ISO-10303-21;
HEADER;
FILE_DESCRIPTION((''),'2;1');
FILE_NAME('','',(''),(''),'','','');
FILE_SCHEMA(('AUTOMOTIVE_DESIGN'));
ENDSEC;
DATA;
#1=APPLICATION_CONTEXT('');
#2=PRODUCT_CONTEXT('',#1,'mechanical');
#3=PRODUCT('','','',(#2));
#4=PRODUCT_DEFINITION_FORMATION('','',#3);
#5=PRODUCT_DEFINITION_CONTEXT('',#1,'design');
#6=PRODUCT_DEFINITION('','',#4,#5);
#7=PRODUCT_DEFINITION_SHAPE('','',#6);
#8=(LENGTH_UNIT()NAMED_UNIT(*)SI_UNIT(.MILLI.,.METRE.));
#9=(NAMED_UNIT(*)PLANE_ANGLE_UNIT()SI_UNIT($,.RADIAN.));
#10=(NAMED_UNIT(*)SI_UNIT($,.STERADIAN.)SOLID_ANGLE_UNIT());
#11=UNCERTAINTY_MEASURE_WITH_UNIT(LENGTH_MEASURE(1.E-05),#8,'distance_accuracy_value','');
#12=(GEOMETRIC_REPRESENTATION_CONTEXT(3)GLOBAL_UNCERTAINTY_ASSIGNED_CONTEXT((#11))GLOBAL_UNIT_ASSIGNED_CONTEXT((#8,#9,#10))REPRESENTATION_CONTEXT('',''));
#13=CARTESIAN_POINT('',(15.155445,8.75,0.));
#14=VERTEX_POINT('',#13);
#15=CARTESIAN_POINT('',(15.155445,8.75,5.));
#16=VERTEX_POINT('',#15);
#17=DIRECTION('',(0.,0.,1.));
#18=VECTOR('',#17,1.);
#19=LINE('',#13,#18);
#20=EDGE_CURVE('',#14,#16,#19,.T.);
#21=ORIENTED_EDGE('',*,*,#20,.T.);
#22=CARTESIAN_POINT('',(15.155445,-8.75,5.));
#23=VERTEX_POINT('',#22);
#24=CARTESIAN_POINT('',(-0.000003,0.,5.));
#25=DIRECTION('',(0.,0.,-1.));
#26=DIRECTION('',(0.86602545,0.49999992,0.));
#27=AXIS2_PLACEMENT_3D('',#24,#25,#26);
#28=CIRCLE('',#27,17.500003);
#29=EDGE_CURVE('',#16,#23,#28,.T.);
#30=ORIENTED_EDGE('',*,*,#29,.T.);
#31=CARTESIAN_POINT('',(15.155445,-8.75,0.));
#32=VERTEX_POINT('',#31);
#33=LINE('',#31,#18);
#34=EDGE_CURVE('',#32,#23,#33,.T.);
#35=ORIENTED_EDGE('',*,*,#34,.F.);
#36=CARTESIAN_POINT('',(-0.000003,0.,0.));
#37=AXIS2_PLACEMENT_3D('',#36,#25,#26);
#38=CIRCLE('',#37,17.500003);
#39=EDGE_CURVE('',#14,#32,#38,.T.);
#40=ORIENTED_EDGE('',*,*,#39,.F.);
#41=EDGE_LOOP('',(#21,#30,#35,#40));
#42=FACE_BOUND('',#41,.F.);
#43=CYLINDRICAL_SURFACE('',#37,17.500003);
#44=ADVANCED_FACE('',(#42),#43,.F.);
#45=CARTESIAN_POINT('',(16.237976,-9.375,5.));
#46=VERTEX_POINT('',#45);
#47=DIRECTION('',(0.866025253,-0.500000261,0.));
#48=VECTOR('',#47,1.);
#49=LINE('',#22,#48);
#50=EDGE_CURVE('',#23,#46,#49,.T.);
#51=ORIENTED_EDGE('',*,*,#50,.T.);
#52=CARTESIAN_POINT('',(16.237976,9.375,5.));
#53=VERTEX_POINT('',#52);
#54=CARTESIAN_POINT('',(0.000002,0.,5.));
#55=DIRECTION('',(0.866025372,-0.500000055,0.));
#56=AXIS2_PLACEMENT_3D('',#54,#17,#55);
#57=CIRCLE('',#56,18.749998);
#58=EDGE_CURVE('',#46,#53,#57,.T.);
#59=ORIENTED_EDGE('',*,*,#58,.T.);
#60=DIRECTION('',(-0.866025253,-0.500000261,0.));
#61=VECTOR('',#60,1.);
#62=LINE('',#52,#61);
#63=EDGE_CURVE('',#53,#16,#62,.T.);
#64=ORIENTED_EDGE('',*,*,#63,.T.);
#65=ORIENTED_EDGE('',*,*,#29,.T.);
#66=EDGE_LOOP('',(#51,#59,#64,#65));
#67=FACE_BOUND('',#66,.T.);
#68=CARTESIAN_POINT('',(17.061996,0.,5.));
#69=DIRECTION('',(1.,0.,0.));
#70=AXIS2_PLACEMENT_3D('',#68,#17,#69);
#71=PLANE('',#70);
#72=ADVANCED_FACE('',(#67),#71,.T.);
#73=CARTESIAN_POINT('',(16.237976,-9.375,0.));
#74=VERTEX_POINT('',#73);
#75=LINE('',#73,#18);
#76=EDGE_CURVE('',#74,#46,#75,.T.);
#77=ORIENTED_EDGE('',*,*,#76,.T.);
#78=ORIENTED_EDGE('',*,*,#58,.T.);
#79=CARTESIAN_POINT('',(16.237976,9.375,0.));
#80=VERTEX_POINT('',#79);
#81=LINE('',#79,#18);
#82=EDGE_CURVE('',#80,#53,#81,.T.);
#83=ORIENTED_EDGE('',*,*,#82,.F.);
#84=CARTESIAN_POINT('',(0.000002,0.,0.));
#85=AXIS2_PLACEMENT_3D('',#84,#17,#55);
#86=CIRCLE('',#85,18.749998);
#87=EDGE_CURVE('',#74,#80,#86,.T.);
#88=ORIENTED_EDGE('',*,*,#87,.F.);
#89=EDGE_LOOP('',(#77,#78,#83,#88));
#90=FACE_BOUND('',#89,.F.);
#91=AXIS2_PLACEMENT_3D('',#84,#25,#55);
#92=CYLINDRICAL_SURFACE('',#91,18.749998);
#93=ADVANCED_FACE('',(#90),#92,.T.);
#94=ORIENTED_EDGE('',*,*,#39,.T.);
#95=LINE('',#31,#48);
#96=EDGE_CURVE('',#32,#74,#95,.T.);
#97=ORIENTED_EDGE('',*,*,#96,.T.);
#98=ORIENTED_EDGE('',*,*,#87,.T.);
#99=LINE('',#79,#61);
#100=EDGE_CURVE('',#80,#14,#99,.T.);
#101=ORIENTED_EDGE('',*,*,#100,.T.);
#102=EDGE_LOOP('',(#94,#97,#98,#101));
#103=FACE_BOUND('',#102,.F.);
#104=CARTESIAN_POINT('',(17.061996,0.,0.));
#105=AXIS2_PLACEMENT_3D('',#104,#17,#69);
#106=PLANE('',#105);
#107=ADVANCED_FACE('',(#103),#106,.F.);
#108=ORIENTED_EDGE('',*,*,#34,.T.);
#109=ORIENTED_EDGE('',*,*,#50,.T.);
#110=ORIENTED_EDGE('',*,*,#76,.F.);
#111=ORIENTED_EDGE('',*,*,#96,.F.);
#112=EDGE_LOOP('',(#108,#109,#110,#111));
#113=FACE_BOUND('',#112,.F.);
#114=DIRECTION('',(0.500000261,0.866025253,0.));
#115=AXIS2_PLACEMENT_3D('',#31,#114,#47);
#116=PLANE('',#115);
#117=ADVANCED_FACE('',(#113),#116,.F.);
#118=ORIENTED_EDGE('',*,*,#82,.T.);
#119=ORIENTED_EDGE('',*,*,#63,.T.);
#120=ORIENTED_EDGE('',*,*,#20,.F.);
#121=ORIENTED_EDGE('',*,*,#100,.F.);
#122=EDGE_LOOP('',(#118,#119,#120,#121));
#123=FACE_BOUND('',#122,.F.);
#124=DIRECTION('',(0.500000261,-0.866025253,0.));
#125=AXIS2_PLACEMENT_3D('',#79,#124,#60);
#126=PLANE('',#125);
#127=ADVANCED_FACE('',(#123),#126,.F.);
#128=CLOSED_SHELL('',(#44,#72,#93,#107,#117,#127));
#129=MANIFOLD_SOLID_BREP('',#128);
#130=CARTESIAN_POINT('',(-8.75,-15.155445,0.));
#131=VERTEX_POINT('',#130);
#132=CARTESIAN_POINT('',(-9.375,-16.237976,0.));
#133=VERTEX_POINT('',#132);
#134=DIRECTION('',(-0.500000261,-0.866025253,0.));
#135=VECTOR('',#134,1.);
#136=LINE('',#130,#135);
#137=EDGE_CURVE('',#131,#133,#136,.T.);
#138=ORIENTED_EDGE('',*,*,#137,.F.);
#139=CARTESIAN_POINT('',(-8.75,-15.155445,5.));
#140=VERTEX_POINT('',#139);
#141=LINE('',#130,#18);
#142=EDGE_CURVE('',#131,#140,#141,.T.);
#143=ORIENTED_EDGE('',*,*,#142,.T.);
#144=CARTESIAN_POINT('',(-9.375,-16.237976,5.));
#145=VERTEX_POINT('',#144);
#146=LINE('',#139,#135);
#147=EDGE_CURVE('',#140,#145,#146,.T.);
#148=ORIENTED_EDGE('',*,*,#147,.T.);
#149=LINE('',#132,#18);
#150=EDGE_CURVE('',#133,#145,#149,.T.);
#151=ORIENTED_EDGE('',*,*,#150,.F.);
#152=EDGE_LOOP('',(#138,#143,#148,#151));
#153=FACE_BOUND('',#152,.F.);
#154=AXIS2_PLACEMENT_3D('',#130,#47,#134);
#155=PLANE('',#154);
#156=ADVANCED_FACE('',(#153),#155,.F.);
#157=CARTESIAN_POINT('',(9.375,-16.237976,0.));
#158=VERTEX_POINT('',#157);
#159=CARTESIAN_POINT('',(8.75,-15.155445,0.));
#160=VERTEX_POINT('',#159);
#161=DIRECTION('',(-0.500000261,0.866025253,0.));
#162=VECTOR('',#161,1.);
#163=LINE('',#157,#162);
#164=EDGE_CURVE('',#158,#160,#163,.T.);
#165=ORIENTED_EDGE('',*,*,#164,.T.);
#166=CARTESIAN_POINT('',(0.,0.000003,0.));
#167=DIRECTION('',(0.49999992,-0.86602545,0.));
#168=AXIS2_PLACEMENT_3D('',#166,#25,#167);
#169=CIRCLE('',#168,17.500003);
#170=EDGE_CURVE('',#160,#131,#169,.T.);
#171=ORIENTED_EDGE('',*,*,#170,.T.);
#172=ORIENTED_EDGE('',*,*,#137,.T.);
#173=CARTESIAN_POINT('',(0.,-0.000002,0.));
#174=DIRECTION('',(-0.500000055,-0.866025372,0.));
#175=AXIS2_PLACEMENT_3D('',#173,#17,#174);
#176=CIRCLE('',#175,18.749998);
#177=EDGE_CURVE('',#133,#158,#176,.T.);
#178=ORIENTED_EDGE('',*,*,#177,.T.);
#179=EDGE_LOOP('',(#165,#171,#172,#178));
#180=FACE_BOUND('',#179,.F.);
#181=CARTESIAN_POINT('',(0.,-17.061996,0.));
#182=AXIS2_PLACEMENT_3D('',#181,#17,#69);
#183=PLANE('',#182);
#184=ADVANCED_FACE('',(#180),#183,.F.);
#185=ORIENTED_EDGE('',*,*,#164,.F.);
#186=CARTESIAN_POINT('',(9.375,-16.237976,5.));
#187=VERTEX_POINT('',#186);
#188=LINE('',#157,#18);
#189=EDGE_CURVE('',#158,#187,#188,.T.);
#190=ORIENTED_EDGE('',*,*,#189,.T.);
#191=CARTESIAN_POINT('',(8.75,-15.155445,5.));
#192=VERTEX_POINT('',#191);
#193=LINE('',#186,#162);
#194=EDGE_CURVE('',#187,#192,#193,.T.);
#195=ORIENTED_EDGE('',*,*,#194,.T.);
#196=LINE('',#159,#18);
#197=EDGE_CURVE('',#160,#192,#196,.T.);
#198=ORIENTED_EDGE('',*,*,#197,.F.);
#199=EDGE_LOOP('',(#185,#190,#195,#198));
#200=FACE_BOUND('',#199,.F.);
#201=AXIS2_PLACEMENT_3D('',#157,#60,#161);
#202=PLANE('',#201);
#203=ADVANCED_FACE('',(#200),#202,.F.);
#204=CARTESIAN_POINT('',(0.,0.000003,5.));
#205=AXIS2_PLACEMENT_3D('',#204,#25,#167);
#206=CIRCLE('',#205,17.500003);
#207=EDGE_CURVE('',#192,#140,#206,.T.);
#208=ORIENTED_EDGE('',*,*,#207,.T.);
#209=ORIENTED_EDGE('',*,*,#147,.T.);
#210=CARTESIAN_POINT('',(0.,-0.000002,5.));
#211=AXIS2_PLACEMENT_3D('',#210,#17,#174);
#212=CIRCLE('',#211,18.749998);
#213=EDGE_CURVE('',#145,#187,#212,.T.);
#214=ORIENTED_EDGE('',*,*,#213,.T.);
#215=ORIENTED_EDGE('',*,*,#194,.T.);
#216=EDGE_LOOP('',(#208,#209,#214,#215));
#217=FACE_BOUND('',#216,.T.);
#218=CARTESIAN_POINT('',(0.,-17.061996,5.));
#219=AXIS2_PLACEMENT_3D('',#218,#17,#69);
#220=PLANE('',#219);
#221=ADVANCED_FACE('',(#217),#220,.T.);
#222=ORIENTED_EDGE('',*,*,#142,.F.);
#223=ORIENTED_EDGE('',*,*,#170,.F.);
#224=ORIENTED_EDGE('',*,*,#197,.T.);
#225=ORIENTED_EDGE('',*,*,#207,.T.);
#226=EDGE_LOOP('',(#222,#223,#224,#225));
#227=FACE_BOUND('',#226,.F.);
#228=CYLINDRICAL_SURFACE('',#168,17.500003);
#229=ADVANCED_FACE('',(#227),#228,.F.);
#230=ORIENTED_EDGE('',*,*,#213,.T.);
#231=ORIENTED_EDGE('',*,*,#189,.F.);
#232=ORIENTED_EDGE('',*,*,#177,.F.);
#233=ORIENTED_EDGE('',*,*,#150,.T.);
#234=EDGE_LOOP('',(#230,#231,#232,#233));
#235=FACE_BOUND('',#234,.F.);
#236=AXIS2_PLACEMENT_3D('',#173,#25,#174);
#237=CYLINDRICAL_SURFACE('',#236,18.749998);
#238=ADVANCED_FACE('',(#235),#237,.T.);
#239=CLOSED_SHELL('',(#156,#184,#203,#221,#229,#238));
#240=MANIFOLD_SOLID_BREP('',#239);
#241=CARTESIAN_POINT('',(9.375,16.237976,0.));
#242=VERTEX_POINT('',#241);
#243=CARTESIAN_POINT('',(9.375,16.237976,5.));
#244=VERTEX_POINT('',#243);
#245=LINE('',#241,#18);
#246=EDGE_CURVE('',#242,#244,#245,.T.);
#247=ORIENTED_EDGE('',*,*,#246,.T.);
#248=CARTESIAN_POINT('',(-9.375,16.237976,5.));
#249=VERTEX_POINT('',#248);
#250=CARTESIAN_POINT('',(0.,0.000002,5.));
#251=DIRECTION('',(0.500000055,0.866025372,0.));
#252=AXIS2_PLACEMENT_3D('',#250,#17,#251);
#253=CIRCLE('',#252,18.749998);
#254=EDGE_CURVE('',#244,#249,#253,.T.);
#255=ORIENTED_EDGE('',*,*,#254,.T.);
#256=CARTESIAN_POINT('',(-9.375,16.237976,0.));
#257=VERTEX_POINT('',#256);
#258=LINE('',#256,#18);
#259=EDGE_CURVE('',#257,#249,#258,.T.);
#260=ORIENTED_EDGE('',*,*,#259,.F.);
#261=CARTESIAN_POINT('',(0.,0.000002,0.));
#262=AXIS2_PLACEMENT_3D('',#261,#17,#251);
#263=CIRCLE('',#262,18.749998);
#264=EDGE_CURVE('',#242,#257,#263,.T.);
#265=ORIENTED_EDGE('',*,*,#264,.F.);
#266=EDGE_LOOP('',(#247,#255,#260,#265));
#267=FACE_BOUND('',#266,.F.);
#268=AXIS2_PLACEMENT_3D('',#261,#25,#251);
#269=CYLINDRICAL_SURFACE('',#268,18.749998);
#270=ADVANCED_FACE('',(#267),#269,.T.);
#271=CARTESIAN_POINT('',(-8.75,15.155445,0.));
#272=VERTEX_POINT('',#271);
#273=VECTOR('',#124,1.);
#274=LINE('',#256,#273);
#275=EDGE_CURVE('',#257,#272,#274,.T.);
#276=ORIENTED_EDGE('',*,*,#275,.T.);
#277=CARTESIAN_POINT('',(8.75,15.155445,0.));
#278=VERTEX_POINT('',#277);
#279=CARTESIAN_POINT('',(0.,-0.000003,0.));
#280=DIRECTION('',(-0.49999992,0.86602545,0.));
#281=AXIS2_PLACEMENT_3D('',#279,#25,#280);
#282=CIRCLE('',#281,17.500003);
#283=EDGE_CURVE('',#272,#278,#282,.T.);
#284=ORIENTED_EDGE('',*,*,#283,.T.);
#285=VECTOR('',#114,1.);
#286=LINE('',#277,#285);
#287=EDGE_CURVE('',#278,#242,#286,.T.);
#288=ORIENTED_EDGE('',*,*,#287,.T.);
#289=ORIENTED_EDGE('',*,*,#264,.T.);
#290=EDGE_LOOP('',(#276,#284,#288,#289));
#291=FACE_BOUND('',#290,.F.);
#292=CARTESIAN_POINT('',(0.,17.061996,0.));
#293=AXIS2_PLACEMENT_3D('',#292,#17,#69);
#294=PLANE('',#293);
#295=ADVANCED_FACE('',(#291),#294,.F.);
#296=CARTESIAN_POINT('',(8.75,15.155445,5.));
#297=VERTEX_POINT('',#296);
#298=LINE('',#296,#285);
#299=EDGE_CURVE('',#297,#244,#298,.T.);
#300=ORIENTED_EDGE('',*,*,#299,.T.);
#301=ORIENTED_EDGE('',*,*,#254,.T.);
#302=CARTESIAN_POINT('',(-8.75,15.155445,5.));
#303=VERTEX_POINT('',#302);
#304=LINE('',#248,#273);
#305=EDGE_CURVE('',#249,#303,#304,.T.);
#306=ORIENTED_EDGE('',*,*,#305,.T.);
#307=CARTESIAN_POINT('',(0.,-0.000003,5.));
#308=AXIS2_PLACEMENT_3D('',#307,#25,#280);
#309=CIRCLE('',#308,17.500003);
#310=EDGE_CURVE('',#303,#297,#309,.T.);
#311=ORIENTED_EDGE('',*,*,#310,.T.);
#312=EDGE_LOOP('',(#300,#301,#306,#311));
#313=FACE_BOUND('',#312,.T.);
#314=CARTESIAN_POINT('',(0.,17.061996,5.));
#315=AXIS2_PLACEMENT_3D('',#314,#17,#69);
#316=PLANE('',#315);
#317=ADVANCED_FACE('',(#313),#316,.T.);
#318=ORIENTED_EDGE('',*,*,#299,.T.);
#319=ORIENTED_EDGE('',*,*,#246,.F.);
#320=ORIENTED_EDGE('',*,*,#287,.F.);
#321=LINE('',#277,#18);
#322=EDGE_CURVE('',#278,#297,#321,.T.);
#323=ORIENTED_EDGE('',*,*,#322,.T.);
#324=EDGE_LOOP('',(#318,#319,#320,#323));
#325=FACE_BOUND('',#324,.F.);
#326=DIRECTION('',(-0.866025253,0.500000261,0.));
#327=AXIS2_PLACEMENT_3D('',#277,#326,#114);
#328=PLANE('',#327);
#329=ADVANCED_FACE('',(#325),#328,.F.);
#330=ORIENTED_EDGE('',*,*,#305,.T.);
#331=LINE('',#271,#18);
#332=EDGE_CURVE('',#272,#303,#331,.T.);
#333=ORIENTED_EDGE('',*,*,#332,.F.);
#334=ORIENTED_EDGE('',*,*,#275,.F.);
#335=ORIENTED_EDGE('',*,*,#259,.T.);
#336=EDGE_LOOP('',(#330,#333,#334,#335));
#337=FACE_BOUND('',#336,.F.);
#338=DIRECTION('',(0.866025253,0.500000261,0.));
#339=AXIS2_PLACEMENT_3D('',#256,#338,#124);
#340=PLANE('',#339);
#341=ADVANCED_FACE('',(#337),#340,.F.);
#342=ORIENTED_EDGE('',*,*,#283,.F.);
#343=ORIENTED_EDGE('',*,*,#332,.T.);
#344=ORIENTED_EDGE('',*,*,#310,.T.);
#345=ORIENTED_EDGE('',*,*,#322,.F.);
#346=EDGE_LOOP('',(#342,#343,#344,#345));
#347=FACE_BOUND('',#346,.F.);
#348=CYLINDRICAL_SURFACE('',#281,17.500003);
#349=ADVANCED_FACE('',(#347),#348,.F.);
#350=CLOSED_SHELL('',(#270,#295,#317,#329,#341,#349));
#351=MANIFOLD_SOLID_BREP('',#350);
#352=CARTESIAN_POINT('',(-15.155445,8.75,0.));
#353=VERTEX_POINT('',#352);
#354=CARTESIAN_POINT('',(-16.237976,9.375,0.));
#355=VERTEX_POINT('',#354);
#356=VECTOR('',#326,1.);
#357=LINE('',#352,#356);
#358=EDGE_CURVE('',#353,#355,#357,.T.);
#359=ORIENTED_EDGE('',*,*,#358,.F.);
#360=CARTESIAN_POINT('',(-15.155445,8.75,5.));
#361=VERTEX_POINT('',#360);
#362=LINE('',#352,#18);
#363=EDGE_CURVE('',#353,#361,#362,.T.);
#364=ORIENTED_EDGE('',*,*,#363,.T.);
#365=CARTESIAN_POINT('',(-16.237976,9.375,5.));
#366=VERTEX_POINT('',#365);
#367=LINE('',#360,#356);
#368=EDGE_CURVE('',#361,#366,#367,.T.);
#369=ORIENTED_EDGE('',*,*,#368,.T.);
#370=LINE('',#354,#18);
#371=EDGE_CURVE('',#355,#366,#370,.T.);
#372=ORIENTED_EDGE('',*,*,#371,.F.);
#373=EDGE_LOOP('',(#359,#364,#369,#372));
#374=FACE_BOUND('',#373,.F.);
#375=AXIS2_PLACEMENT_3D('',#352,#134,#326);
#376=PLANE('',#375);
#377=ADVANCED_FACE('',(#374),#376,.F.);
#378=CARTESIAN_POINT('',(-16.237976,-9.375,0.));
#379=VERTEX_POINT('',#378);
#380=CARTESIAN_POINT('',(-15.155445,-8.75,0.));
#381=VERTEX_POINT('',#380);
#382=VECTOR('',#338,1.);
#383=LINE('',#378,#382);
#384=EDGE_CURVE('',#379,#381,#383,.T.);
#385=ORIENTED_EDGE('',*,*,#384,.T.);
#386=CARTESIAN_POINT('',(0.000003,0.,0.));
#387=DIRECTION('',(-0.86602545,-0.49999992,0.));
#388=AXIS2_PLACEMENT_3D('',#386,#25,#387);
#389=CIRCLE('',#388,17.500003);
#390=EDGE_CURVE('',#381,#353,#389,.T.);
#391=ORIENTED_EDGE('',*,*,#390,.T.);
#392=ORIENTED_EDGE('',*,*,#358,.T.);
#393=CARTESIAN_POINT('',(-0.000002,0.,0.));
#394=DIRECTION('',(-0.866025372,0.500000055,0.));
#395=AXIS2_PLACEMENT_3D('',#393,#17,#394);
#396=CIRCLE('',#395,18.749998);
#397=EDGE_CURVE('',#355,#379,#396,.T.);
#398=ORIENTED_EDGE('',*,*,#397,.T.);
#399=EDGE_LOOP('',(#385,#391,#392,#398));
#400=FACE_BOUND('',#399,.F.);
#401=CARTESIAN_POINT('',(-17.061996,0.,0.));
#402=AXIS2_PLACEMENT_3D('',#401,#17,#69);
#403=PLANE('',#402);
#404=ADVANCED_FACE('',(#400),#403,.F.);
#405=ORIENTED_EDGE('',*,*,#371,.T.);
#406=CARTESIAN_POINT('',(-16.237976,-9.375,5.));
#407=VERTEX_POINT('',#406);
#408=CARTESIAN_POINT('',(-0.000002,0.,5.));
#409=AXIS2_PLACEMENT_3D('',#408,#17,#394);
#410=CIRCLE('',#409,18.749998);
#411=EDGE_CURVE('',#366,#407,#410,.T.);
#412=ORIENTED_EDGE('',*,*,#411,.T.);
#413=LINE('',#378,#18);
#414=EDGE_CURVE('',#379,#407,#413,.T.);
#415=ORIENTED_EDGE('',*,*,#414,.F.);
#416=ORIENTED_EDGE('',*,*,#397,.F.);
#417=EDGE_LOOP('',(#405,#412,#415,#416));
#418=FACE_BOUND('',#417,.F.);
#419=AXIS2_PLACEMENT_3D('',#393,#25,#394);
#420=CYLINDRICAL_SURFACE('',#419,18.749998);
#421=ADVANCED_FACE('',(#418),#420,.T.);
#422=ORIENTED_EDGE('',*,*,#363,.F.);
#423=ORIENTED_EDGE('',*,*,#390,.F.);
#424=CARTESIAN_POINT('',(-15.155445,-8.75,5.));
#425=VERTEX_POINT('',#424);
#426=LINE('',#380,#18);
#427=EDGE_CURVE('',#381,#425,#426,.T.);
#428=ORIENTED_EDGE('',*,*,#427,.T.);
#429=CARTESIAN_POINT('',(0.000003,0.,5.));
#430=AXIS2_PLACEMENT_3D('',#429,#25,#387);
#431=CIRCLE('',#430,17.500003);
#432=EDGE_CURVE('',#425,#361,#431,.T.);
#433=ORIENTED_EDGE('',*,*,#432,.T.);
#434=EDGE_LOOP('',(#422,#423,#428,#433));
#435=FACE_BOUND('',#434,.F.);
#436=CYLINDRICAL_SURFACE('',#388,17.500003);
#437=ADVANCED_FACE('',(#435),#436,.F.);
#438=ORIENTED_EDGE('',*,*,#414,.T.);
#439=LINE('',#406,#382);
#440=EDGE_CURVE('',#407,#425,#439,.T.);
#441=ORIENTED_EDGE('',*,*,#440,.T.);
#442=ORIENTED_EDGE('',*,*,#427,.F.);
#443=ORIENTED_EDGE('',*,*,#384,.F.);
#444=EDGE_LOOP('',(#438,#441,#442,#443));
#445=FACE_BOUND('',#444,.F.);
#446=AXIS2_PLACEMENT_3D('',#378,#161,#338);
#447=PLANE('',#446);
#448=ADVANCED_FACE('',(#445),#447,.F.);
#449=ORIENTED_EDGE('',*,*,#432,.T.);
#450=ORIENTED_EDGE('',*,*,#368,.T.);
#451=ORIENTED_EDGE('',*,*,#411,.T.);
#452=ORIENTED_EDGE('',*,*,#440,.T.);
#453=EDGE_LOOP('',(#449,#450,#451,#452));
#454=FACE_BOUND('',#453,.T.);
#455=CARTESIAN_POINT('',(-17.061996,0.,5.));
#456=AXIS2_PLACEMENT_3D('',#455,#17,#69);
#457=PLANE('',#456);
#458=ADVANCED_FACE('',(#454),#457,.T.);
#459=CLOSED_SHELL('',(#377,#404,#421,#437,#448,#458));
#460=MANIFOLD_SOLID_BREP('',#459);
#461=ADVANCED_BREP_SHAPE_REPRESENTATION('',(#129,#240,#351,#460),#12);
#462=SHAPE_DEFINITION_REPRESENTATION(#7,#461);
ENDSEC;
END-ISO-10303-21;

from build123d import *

# Parameters (mm, degrees)
F1_DEPTH = 5


with BuildPart() as f1:
    # F0 (on Top) → F1 (new body)
    with BuildSketch(Plane.XY):
        with BuildLine():
            ThreePointArc((-15.155445, -8.75), (-17.5, 0), (-15.155445, 8.75))
            Line((-15.155445, 8.75), (-16.237976, 9.375))
            ThreePointArc((-16.237976, 9.375), (-18.75, 0), (-16.237976, -9.375))
            Line((-16.237976, -9.375), (-15.155445, -8.75))
        make_face()
        with BuildLine():
            ThreePointArc((8.75, -15.155445), (0, -17.5), (-8.75, -15.155445))
            Line((-8.75, -15.155445), (-9.375, -16.237976))
            ThreePointArc((-9.375, -16.237976), (0, -18.75), (9.375, -16.237976))
            Line((9.375, -16.237976), (8.75, -15.155445))
        make_face()
        with BuildLine():
            ThreePointArc((15.155445, 8.75), (17.5, 0), (15.155445, -8.75))
            Line((15.155445, -8.75), (16.237976, -9.375))
            ThreePointArc((16.237976, -9.375), (18.75, 0), (16.237976, 9.375))
            Line((16.237976, 9.375), (15.155445, 8.75))
        make_face()
        with BuildLine():
            Line((-9.375, 16.237976), (-8.75, 15.155445))
            ThreePointArc((-8.75, 15.155445), (0, 17.5), (8.75, 15.155445))
            Line((8.75, 15.155445), (9.375, 16.237976))
            ThreePointArc((9.375, 16.237976), (0, 18.75), (-9.375, 16.237976))
        make_face()
    extrude(amount=F1_DEPTH)


solid = f1.part
